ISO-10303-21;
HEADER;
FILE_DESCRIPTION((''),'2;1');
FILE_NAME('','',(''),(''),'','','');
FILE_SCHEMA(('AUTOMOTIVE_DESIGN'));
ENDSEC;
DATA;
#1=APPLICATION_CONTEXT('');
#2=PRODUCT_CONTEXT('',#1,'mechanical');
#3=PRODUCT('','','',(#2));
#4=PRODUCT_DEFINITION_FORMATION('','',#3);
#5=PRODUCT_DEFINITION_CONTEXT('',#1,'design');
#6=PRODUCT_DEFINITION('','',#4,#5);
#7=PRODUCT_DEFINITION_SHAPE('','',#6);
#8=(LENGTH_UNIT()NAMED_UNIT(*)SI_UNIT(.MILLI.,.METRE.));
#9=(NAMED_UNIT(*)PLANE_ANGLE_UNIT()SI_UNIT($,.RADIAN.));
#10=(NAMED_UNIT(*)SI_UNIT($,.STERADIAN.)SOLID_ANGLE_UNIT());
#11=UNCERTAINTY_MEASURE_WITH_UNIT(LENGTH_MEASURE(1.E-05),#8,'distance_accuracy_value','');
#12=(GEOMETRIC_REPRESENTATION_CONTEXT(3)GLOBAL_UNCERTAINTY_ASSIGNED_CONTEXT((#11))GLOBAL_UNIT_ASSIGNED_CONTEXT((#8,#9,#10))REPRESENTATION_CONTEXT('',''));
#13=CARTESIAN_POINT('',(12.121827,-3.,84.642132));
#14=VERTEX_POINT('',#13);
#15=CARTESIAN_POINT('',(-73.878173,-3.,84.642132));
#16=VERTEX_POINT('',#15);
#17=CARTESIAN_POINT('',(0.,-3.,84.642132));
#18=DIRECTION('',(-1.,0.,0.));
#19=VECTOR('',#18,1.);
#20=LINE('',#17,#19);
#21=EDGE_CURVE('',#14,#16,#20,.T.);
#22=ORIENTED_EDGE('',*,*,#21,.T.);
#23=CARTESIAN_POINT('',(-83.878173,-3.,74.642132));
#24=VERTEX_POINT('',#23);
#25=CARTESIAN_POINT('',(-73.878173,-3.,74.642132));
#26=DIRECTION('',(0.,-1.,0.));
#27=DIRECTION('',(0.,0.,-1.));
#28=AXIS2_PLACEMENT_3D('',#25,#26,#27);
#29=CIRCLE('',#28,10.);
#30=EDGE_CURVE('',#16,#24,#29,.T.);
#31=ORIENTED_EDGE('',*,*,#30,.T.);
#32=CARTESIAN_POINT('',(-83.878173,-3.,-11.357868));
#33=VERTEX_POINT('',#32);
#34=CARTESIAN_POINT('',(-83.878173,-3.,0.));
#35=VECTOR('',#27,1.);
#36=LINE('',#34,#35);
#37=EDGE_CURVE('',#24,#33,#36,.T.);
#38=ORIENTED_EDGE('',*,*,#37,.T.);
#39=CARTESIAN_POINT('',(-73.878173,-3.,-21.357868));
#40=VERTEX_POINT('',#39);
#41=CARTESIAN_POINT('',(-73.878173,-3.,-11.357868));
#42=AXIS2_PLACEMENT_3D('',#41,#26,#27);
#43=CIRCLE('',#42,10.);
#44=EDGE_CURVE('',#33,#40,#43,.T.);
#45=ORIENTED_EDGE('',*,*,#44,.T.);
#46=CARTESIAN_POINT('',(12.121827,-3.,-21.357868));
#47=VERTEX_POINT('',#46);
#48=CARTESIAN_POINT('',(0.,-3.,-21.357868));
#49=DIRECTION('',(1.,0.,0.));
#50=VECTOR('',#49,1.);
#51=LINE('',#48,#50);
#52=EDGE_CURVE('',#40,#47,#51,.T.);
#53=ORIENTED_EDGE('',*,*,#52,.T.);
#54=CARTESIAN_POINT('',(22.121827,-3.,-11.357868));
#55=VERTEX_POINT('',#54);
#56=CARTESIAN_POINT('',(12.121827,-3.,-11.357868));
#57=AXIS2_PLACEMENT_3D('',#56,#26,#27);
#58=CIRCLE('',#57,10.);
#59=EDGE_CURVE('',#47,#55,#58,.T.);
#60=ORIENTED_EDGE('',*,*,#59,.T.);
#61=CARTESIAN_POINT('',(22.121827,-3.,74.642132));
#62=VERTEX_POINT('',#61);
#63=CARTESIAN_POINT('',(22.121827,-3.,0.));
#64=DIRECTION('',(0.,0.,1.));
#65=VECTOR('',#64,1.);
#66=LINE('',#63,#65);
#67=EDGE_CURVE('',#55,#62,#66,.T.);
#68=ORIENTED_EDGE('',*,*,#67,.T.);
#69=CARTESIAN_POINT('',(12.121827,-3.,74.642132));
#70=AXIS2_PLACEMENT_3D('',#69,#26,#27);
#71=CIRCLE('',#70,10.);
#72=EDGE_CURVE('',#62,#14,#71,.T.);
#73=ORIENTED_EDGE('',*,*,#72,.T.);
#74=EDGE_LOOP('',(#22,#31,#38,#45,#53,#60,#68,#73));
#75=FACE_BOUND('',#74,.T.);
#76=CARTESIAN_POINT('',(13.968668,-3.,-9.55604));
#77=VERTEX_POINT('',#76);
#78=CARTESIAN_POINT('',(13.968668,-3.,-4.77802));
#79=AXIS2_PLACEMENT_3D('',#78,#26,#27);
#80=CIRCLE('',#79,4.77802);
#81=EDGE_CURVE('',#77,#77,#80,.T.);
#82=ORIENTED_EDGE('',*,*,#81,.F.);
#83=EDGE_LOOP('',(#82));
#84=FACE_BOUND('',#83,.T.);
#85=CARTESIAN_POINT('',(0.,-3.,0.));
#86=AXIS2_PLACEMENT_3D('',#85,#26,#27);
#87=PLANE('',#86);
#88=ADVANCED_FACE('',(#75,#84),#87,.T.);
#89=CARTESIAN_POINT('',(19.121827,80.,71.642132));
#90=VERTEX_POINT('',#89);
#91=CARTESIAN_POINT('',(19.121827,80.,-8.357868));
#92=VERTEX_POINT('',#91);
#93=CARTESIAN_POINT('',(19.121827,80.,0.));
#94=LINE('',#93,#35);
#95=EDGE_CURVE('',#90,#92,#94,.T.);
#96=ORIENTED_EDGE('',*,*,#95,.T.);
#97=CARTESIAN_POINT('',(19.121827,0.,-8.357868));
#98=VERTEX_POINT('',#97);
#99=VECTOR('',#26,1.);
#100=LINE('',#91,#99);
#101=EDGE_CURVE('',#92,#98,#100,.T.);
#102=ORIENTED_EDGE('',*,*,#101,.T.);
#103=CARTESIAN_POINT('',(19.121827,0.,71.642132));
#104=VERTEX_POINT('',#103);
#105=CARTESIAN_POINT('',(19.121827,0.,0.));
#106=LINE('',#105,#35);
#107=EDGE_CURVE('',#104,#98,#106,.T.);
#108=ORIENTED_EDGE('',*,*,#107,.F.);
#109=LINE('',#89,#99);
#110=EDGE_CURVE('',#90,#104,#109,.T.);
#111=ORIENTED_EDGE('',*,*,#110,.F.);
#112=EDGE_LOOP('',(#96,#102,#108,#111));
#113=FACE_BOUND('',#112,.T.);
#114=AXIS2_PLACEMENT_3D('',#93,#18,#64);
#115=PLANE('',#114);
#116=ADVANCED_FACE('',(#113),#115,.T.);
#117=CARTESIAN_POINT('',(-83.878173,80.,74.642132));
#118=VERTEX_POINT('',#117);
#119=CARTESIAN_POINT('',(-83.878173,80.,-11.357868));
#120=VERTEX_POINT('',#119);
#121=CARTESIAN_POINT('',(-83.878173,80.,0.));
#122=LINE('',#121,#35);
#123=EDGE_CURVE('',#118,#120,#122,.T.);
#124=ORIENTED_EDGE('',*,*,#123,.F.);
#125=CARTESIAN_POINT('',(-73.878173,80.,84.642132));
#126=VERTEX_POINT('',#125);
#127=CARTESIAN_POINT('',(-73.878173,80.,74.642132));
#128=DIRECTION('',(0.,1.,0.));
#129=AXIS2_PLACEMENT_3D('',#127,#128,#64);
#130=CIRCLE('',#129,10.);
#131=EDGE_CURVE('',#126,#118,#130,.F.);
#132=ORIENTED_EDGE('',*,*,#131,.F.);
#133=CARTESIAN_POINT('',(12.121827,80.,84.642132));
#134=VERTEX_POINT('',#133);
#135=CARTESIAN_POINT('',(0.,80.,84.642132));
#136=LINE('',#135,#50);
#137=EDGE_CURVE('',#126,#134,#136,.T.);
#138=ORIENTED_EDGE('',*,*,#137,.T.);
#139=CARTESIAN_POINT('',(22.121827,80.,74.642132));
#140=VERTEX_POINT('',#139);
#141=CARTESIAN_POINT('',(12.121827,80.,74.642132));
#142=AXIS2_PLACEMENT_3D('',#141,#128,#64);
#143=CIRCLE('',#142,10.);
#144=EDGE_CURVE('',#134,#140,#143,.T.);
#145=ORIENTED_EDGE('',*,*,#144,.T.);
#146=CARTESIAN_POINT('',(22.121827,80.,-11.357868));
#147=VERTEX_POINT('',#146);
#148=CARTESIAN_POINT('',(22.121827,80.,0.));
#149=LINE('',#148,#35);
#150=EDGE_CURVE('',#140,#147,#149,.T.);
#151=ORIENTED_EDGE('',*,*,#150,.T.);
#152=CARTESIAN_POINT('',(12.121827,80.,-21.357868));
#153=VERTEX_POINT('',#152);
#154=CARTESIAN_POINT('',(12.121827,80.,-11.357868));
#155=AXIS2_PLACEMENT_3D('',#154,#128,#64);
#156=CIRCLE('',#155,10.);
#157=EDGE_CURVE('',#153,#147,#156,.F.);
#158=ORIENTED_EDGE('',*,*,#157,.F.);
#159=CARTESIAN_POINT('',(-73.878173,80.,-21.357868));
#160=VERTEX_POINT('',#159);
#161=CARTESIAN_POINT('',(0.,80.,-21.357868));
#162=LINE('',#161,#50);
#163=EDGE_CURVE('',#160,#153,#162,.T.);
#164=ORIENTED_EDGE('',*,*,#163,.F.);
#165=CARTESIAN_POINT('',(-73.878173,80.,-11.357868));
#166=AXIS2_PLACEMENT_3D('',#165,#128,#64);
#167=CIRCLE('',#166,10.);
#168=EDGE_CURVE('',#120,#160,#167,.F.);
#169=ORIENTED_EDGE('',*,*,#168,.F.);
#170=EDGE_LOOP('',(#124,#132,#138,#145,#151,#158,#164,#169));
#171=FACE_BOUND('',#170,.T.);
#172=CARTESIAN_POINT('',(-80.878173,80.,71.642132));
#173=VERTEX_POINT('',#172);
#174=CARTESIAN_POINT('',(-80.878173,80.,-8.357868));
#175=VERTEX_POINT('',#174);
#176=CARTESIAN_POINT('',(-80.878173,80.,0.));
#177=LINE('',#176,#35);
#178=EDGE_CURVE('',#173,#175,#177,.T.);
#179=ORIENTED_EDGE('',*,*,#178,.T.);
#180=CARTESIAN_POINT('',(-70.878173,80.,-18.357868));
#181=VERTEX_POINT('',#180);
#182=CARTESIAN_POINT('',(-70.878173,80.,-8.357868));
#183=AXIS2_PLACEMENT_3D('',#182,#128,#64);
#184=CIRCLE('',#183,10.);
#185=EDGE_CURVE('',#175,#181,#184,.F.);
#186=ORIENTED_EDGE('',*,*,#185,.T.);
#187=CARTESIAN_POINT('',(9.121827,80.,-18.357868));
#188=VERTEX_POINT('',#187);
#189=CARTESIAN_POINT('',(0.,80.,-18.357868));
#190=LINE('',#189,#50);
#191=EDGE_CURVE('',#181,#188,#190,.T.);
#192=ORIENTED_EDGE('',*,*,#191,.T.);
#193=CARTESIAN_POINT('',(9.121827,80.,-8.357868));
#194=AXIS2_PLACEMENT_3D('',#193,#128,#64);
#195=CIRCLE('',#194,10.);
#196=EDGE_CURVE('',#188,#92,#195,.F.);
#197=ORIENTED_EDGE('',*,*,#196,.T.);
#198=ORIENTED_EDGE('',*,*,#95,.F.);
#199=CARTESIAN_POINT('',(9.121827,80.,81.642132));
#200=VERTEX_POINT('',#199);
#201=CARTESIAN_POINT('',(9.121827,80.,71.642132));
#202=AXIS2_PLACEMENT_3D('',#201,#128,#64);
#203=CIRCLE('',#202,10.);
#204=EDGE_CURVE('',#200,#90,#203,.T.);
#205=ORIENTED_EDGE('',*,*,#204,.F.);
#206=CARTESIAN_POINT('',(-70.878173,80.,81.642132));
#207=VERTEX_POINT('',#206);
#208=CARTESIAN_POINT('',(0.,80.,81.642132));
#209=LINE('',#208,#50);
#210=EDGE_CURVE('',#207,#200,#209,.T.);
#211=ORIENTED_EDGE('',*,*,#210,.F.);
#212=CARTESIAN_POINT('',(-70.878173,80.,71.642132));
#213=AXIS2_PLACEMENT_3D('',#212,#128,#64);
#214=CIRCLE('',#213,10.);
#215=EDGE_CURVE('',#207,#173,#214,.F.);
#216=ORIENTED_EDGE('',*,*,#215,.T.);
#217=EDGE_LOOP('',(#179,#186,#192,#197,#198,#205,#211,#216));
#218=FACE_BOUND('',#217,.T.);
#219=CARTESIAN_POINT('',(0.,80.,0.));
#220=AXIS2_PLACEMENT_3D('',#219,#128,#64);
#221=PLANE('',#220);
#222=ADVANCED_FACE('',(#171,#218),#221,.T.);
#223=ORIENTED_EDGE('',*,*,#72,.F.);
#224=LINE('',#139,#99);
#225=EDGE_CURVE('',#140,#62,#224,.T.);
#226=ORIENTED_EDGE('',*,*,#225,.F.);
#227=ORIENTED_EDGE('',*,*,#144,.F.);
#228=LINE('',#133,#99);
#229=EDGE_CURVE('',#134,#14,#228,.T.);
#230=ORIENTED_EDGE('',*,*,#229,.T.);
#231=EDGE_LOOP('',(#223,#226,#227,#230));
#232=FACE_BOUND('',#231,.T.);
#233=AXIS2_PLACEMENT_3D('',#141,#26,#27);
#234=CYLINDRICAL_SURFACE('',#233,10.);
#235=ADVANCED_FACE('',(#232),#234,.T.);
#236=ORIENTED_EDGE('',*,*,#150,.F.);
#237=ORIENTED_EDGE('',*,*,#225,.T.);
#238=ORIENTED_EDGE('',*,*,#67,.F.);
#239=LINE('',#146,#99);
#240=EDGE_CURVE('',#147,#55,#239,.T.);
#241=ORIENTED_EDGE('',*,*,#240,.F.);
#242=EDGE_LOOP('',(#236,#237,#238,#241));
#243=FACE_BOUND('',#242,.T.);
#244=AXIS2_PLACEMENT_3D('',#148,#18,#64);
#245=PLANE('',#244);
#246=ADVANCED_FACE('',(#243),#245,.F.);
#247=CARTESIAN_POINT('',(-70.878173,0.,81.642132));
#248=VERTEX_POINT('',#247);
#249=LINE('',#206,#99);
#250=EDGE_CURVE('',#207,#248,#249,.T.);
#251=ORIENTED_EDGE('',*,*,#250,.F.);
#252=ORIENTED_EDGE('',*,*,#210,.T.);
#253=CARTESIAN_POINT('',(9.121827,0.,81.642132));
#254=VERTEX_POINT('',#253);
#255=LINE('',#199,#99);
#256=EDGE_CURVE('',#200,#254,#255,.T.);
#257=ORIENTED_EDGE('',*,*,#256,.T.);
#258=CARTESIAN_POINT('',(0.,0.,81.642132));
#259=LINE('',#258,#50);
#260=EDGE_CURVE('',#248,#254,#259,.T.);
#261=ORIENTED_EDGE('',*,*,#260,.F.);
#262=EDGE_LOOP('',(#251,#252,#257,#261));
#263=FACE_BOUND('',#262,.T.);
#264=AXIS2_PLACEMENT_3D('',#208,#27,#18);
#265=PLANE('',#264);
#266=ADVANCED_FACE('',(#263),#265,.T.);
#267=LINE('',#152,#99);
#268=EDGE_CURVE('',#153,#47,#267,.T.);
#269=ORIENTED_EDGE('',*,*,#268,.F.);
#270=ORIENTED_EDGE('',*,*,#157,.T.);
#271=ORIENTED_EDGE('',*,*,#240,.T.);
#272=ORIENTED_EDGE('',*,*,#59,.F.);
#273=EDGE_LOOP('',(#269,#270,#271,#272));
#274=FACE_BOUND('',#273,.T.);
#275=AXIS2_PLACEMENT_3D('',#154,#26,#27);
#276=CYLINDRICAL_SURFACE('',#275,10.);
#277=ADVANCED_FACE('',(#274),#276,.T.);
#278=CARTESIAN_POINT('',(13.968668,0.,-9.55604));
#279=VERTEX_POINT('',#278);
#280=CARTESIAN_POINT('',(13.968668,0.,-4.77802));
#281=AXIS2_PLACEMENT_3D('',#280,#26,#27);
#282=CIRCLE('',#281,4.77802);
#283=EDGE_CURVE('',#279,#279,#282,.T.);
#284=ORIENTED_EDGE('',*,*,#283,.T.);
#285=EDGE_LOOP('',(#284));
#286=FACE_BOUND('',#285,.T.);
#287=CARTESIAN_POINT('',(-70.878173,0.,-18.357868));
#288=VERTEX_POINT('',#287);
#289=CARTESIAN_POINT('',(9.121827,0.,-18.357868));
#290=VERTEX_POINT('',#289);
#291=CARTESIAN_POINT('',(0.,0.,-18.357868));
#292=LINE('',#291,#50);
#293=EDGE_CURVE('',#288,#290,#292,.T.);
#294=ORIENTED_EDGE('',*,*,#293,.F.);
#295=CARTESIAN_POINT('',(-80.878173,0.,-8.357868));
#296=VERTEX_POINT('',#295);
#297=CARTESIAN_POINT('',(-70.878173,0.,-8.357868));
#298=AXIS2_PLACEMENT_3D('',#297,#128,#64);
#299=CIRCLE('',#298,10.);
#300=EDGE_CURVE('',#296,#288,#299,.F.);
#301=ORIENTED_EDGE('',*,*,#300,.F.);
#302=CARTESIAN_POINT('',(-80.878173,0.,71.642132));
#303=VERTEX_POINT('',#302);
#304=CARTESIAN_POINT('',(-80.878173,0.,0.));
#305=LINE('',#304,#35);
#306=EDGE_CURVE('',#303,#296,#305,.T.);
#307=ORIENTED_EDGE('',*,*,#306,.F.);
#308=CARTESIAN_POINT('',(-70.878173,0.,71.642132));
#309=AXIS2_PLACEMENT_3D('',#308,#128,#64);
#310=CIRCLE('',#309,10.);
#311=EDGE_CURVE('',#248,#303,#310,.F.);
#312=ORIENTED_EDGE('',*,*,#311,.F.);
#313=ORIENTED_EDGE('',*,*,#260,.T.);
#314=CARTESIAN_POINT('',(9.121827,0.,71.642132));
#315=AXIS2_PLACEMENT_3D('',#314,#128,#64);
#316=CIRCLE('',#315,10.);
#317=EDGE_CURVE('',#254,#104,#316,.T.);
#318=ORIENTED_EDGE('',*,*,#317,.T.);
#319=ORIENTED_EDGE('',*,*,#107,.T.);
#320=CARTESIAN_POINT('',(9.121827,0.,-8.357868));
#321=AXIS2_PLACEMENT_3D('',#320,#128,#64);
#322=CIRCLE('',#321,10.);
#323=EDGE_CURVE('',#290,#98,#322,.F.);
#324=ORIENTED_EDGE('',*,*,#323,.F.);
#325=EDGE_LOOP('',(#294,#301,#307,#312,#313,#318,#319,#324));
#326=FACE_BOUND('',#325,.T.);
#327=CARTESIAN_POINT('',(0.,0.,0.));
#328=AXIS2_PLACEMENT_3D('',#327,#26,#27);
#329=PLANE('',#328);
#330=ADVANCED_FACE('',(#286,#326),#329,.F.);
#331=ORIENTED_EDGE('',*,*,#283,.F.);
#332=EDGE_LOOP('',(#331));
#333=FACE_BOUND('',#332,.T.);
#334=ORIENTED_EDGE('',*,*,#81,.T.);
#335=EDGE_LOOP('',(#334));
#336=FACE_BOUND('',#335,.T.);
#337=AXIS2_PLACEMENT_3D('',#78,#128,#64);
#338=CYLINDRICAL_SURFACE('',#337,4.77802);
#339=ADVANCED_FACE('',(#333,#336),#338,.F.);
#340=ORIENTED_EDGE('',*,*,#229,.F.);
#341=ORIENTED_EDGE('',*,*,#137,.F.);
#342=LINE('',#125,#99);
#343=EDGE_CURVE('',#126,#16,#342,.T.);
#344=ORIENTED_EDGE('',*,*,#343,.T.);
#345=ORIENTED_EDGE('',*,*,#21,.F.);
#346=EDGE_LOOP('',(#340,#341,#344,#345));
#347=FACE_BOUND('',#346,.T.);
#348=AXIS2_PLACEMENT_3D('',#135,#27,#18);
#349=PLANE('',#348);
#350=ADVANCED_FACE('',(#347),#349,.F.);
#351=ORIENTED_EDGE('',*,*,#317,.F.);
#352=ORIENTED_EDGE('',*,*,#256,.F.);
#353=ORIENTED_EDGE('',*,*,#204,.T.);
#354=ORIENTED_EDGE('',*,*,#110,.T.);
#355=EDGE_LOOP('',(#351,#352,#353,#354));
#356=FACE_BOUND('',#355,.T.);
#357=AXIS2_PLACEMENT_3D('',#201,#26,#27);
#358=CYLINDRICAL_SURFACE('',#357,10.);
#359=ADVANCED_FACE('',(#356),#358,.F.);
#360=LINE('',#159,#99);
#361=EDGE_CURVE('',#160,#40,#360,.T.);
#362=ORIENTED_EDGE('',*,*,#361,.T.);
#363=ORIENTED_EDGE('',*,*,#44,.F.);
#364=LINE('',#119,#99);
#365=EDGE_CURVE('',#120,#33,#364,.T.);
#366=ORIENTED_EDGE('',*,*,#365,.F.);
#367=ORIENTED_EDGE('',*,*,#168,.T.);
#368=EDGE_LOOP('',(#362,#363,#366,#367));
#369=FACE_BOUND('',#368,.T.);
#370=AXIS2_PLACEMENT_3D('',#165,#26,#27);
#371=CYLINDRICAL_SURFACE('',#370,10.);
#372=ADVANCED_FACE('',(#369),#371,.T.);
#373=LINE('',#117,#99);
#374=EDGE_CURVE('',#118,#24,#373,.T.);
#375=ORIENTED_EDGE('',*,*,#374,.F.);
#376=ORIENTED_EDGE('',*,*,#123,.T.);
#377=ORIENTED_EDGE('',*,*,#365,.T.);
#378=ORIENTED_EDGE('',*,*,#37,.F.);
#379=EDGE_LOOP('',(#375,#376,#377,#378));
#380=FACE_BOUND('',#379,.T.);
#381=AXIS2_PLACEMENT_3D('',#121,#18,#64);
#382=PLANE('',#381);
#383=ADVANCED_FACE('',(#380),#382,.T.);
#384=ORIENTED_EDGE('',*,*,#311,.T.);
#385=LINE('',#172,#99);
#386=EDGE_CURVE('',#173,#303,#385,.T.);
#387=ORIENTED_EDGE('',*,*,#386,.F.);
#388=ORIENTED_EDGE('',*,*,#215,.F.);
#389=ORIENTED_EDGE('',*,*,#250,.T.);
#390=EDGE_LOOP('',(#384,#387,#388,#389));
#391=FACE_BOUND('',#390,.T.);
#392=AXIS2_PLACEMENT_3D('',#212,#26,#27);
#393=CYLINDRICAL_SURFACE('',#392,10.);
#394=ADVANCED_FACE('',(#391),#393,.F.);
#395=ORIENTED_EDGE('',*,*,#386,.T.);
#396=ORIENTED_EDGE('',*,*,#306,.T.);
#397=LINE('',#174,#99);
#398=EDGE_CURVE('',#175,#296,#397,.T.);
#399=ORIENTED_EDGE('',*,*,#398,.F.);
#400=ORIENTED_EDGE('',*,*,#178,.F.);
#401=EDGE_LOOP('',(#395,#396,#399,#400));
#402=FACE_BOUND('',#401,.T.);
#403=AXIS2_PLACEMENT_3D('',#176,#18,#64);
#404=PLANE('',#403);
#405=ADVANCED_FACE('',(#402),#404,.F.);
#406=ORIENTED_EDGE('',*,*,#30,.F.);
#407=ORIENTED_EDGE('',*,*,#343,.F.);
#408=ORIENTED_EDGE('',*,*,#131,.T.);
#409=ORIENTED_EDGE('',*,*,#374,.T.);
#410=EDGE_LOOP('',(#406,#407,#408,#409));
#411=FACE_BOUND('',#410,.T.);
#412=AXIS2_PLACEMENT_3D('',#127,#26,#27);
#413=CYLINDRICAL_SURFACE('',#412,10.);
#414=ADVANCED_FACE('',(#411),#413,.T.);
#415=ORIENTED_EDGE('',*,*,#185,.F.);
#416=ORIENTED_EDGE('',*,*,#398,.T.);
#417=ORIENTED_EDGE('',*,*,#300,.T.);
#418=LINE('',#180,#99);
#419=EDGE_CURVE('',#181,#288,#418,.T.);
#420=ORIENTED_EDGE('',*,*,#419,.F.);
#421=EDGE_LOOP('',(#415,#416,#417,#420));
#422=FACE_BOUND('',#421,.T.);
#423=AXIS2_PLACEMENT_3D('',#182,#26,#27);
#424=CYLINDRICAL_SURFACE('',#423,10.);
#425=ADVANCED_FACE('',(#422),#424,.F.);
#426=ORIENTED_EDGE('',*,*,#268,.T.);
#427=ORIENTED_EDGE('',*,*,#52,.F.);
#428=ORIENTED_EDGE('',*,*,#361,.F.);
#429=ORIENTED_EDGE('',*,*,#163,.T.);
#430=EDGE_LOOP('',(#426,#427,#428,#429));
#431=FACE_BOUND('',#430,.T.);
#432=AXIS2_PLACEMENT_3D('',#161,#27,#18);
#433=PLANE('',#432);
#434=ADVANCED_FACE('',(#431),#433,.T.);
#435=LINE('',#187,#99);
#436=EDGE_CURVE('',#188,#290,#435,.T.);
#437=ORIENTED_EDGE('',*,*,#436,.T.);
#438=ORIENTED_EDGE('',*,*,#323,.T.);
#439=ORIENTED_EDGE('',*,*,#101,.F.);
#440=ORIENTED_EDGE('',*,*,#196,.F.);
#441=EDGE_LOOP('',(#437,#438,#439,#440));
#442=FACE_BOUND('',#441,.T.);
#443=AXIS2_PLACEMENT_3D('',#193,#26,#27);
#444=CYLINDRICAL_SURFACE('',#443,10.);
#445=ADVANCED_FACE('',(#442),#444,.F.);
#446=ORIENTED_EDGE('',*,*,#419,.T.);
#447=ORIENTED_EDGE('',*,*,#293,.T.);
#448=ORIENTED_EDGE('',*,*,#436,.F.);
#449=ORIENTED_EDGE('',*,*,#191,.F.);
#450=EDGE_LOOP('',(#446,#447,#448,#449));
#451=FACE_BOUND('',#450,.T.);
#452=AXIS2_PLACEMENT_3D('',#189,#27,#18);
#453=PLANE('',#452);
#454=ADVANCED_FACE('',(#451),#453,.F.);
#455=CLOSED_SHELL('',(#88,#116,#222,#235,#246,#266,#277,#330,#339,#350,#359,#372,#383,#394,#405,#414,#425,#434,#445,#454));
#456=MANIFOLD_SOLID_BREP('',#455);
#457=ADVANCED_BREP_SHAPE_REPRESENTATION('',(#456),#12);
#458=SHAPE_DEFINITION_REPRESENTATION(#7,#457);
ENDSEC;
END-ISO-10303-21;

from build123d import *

# Parameters (mm, degrees)
BOSS_EXTRUDE1_DEPTH = 80
SKETCH2_R           = 4.778019897
BOSS_EXTRUDE4_DEPTH = 3


with BuildPart() as part:
    # Sketch1 → Boss-Extrude1 (new body)
    with BuildSketch(Plane(origin=(0, 0, 0), x_dir=(1, 0, 0), z_dir=(0, 1, 0))):
        with BuildLine():
            ThreePointArc((-83.878172589, 11.35786802), (-80.949240401, 18.428935832), (-73.878172589, 21.35786802))
            Line((-73.878172589, 21.35786802), (12.121827411, 21.35786802))
            ThreePointArc((12.121827411, 21.35786802), (19.192895223, 18.428935832), (22.121827411, 11.35786802))
            Line((22.121827411, 11.35786802), (22.121827411, -74.64213198))
            ThreePointArc((22.121827411, -74.64213198), (19.192895223, -81.713199792), (12.121827411, -84.64213198))
            Line((12.121827411, -84.64213198), (-73.878172589, -84.64213198))
            ThreePointArc((-73.878172589, -84.64213198), (-80.949240401, -81.713199792), (-83.878172589, -74.64213198))
            Line((-83.878172589, -74.64213198), (-83.878172589, 11.35786802))
        make_face()
        with BuildLine():
            Line((-70.878172589, 18.35786802), (9.121827411, 18.35786802))
            ThreePointArc((9.121827411, 18.35786802), (16.192895223, 15.428935832), (19.121827411, 8.35786802))
            Line((19.121827411, 8.35786802), (19.121827411, -71.64213198))
            ThreePointArc((19.121827411, -71.64213198), (16.192895223, -78.713199792), (9.121827411, -81.64213198))
            Line((9.121827411, -81.64213198), (-70.878172589, -81.64213198))
            ThreePointArc((-70.878172589, -81.64213198), (-77.949240401, -78.713199792), (-80.878172589, -71.64213198))
            Line((-80.878172589, -71.64213198), (-80.878172589, 8.35786802))
            ThreePointArc((-80.878172589, 8.35786802), (-77.949240401, 15.428935832), (-70.878172589, 18.35786802))
        make_face(mode=Mode.SUBTRACT)
    extrude(amount=BOSS_EXTRUDE1_DEPTH)

    # Sketch2 → Boss-Extrude4 (add)
    with BuildSketch(Plane.XZ):
        with BuildLine():
            Line((-83.878172589, 74.64213198), (-83.878172589, -11.35786802))
            ThreePointArc((-83.878172589, -11.35786802), (-80.949240401, -18.428935832), (-73.878172589, -21.35786802))
            Line((-73.878172589, -21.35786802), (12.121827411, -21.35786802))
            ThreePointArc((12.121827411, -21.35786802), (19.192895223, -18.428935832), (22.121827411, -11.35786802))
            Line((22.121827411, -11.35786802), (22.121827411, 74.64213198))
            ThreePointArc((22.121827411, 74.64213198), (19.192895223, 81.713199792), (12.121827411, 84.64213198))
            Line((12.121827411, 84.64213198), (-73.878172589, 84.64213198))
            ThreePointArc((-73.878172589, 84.64213198), (-80.949240401, 81.713199792), (-83.878172589, 74.64213198))
        make_face()
        with BuildLine():
            ThreePointArc((19.121827411, -8.35786802), (16.192895223, -15.428935832), (9.121827411, -18.35786802))
            Line((9.121827411, -18.35786802), (-70.878172589, -18.35786802))
            ThreePointArc((-70.878172589, -18.35786802), (-77.949240401, -15.428935832), (-80.878172589, -8.35786802))
            Line((-80.878172589, -8.35786802), (-80.878172589, 71.64213198))
            ThreePointArc((-80.878172589, 71.64213198), (-77.949240401, 78.713199792), (-70.878172589, 81.64213198))
            Line((-70.878172589, 81.64213198), (9.121827411, 81.64213198))
            ThreePointArc((9.121827411, 81.64213198), (16.192895223, 78.713199792), (19.121827411, 71.64213198))
            Line((19.121827411, 71.64213198), (19.121827411, -8.35786802))
        make_face(mode=Mode.SUBTRACT)
        with BuildLine():
            Line((9.121827411, -18.35786802), (-70.878172589, -18.35786802))
            ThreePointArc((-70.878172589, -18.35786802), (-77.949240401, -15.428935832), (-80.878172589, -8.35786802))
            Line((-80.878172589, -8.35786802), (-80.878172589, 71.64213198))
            ThreePointArc((-80.878172589, 71.64213198), (-77.949240401, 78.713199792), (-70.878172589, 81.64213198))
            Line((-70.878172589, 81.64213198), (9.121827411, 81.64213198))
            ThreePointArc((9.121827411, 81.64213198), (16.192895223, 78.713199792), (19.121827411, 71.64213198))
            Line((19.121827411, 71.64213198), (19.121827411, -8.35786802))
            ThreePointArc((19.121827411, -8.35786802), (16.192895223, -15.428935832), (9.121827411, -18.35786802))
        make_face()
        with Locations(Location((13.968668107, -4.778019897, 0), (0, 0, 270))):
            Circle(SKETCH2_R, mode=Mode.SUBTRACT)
    extrude(amount=BOSS_EXTRUDE4_DEPTH)


solid = part.part
